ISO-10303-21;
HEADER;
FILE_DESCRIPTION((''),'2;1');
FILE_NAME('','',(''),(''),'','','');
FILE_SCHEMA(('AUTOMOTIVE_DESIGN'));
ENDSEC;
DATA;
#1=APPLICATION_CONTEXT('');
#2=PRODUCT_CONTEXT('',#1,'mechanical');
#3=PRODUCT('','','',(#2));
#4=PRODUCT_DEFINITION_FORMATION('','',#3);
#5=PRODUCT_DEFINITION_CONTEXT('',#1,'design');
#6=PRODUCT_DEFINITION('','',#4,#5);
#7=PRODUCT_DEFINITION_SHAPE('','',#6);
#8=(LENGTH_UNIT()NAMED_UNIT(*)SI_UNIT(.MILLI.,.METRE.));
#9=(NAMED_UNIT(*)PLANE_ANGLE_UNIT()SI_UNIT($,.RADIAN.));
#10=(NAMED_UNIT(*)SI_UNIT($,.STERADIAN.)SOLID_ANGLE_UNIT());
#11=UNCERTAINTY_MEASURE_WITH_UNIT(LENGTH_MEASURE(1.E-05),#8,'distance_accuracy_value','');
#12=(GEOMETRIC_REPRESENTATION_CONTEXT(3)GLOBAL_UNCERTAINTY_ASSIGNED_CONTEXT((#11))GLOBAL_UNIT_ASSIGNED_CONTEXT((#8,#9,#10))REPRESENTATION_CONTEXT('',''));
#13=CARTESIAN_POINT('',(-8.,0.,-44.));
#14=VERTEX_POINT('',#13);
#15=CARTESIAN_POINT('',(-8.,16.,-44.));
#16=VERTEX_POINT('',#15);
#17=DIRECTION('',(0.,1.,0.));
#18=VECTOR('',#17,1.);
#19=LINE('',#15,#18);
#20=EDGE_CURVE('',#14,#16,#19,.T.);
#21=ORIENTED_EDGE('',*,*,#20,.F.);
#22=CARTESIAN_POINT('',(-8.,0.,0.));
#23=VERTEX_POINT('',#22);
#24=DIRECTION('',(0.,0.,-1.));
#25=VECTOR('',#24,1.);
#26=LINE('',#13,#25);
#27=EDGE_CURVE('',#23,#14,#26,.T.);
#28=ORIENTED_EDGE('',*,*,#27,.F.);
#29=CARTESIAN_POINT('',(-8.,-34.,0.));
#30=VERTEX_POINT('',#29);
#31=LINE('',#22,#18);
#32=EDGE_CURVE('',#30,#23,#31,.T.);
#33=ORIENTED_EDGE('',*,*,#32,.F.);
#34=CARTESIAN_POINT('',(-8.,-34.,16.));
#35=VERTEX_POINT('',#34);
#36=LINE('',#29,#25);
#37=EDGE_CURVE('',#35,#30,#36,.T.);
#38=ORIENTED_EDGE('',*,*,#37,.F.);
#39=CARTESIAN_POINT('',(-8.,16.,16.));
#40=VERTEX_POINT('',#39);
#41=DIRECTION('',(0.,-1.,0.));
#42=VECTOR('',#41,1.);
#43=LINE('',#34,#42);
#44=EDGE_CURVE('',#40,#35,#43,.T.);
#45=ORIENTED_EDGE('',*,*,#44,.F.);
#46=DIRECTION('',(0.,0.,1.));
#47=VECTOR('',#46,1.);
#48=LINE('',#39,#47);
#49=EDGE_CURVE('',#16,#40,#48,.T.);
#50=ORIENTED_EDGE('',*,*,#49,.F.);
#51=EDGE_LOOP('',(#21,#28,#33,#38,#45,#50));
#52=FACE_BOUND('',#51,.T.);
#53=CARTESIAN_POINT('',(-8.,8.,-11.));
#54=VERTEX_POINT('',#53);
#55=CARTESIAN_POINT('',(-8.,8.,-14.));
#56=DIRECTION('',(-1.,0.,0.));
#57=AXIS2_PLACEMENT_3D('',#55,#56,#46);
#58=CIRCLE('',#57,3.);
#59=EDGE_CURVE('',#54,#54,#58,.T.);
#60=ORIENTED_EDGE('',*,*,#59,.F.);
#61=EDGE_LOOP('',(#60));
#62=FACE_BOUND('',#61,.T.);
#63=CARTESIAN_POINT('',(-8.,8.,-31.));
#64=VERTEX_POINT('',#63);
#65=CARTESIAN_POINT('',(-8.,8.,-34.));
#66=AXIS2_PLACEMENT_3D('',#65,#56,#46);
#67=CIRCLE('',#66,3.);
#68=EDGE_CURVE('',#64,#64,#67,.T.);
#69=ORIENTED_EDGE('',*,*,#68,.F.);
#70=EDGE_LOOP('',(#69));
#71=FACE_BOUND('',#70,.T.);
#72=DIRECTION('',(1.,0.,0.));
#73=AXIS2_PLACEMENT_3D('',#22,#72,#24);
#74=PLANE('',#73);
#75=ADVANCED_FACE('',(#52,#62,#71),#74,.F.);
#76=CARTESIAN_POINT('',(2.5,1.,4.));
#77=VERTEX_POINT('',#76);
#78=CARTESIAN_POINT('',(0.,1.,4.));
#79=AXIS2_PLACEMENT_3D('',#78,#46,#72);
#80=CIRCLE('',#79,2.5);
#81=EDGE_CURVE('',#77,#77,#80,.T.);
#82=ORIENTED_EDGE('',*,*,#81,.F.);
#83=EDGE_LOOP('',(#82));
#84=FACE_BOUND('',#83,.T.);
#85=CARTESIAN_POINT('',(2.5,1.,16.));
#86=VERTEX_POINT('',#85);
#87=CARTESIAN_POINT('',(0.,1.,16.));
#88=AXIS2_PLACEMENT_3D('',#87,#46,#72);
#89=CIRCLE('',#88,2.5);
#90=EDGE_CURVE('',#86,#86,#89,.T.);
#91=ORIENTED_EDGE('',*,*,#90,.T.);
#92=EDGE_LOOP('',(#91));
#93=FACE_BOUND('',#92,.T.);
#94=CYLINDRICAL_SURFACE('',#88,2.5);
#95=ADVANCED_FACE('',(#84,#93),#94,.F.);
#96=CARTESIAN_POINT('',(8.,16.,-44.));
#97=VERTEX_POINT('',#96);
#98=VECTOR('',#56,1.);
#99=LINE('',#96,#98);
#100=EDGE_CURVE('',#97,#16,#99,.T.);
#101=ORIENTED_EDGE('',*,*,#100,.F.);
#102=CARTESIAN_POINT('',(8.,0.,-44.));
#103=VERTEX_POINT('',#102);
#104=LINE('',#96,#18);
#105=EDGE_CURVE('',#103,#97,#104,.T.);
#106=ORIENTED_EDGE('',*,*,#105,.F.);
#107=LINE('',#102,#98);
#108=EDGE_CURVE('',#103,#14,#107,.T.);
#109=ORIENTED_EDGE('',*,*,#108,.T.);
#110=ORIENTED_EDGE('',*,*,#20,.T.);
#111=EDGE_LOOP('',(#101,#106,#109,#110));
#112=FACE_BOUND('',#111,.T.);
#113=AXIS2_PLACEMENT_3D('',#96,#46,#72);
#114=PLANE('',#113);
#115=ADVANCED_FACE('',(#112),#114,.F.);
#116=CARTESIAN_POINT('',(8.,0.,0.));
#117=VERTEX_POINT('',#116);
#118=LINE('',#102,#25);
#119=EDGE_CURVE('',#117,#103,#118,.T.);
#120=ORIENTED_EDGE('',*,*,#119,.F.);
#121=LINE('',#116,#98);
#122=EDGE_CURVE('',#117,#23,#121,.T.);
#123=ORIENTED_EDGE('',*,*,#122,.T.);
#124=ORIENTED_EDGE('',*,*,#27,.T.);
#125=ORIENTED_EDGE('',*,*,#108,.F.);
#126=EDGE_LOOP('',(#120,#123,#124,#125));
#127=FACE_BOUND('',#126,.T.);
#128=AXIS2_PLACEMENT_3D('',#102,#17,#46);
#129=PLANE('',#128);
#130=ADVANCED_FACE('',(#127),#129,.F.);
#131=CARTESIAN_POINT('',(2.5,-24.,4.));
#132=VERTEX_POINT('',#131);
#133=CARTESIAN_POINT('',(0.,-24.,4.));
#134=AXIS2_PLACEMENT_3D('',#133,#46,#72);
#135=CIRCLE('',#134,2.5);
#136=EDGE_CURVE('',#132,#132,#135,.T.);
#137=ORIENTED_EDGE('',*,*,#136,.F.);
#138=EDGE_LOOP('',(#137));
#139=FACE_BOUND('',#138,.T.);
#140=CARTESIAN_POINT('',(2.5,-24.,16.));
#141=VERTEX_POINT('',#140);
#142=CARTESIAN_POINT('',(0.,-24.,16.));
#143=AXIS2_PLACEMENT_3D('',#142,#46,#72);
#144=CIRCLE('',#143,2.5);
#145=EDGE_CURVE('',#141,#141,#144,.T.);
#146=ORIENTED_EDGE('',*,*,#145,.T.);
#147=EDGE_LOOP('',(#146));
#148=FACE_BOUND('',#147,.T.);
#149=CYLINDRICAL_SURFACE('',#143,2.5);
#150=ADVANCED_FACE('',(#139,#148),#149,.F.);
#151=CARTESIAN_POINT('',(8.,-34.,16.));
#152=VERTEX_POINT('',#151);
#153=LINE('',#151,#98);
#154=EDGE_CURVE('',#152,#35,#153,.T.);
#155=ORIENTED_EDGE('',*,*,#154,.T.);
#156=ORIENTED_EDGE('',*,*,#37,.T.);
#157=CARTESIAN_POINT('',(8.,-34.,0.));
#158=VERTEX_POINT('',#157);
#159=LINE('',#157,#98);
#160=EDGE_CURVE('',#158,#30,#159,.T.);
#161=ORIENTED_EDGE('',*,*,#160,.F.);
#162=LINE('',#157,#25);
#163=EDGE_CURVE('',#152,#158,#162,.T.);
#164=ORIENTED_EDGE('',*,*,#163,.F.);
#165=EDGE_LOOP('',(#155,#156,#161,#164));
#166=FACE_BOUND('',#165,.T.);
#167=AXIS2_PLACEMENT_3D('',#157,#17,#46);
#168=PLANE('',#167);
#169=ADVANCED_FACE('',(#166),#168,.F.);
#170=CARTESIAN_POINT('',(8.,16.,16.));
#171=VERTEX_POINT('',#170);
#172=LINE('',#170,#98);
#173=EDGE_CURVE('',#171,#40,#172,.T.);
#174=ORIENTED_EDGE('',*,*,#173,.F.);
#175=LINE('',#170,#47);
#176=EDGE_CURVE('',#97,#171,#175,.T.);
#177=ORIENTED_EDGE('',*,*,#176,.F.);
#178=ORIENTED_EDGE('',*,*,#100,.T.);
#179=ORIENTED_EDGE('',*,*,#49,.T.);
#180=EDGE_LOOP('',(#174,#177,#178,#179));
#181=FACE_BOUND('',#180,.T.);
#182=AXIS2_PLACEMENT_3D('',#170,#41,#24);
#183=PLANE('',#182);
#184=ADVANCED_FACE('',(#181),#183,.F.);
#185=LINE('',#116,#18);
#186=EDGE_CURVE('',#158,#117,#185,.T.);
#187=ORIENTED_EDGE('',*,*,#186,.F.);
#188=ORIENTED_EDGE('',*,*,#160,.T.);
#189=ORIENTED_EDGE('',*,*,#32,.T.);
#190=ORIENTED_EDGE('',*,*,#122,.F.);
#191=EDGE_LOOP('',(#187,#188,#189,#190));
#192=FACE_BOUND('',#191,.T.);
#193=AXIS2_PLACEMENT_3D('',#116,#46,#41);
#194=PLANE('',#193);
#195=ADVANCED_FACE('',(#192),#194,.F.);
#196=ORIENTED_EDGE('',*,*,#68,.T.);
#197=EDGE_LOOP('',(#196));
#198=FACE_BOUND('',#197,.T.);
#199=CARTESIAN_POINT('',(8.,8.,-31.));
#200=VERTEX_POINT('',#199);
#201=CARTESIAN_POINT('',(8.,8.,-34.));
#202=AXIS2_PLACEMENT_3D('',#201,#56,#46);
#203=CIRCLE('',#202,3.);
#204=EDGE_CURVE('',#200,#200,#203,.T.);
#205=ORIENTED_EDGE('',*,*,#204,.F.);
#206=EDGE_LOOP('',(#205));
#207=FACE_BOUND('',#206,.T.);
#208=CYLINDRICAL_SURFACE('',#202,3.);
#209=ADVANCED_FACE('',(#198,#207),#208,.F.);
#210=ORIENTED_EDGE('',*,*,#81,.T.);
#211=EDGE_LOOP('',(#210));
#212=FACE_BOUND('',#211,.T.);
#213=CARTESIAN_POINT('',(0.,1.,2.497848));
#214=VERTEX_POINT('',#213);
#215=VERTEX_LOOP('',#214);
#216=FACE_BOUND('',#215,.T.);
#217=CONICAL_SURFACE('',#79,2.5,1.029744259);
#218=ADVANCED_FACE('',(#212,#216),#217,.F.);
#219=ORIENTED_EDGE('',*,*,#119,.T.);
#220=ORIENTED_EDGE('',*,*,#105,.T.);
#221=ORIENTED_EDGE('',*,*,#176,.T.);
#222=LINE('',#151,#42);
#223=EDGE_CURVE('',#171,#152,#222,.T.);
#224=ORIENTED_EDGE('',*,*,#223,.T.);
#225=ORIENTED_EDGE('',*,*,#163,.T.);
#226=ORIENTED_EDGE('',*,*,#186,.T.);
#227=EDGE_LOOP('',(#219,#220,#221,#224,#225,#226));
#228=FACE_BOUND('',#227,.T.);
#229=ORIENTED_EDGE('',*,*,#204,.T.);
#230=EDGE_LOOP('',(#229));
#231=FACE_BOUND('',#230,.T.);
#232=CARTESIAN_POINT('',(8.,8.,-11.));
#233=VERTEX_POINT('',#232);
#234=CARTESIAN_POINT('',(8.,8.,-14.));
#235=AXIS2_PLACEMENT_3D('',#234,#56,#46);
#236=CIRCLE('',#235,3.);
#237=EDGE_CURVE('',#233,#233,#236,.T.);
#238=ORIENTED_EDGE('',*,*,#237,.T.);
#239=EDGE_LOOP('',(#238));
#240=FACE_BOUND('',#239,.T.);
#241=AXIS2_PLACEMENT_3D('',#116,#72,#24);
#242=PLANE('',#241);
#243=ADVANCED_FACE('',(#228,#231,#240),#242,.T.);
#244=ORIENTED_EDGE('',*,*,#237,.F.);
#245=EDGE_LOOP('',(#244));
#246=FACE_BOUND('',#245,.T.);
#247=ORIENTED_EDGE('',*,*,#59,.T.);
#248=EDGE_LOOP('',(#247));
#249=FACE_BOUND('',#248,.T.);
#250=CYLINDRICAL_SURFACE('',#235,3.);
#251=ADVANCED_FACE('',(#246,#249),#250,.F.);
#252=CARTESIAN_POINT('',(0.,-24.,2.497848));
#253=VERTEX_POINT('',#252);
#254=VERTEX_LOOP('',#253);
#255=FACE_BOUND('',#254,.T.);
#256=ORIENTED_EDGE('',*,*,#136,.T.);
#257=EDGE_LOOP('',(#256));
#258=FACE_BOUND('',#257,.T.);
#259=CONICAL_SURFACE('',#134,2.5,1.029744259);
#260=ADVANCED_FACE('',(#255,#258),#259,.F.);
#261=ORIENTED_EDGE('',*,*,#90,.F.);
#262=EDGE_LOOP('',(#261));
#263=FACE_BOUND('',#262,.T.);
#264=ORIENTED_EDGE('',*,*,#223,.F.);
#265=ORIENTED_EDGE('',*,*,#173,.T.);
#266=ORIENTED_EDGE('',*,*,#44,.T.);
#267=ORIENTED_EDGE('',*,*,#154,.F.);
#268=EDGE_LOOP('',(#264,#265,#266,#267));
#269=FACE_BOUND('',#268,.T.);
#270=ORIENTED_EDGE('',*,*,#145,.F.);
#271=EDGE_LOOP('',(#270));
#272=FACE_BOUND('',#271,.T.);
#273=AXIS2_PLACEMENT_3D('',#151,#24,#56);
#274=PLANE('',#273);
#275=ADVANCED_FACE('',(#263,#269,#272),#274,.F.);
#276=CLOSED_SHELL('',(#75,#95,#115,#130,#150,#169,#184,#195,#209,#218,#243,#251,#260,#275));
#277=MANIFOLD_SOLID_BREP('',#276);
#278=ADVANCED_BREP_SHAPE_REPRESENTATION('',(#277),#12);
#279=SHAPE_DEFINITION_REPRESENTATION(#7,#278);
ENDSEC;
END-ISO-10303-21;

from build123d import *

# Parameters (mm, degrees)
BOSS_EXTRUDE1_DEPTH          = 8
SKETCH2_R                    = 3
CUT_EXTRUDE1_DEPTH           = 58.861904566
F_5_0_5_DIAMETER_HOLE2_D     = 5
F_5_0_5_DIAMETER_HOLE2_DEPTH = 12
F_5_0_5_DIAMETER_HOLE2_TIP   = 1.502151548


with BuildPart() as part:
    # Sketch1 → Boss-Extrude1 (new, symmetric)
    with BuildSketch(Plane(origin=(0, 0, 0), x_dir=(0, 0, -1), z_dir=(1, 0, 0))):
        Polygon((0, 0), (0, -34), (-16, -34), (-16, 16), (44, 16), (44, 0), align=None)
    extrude(amount=BOSS_EXTRUDE1_DEPTH, both=True)

    # Sketch2 → Cut-Extrude1 (cut, through all)
    with BuildSketch(Plane.ZY.offset(8)):
        with Locations((-34, 8)):
            Circle(SKETCH2_R)
        with Locations((-14, 8)):
            Circle(SKETCH2_R)
    extrude(amount=-CUT_EXTRUDE1_DEPTH, mode=Mode.SUBTRACT)

    # Ø5.0 (5) Diameter Hole2
    with Locations(Plane(origin=(0, 1, 16), x_dir=(1, 0, 0), z_dir=(0, 0, 1))):
        with Locations((0, 0), (0, -25)):
            Hole(F_5_0_5_DIAMETER_HOLE2_D / 2, depth=F_5_0_5_DIAMETER_HOLE2_DEPTH)
            with Locations((0, 0, -(F_5_0_5_DIAMETER_HOLE2_DEPTH + F_5_0_5_DIAMETER_HOLE2_TIP / 2))):  # 118° drill point
                Cone(0, F_5_0_5_DIAMETER_HOLE2_D / 2, F_5_0_5_DIAMETER_HOLE2_TIP, mode=Mode.SUBTRACT)


solid = part.part
